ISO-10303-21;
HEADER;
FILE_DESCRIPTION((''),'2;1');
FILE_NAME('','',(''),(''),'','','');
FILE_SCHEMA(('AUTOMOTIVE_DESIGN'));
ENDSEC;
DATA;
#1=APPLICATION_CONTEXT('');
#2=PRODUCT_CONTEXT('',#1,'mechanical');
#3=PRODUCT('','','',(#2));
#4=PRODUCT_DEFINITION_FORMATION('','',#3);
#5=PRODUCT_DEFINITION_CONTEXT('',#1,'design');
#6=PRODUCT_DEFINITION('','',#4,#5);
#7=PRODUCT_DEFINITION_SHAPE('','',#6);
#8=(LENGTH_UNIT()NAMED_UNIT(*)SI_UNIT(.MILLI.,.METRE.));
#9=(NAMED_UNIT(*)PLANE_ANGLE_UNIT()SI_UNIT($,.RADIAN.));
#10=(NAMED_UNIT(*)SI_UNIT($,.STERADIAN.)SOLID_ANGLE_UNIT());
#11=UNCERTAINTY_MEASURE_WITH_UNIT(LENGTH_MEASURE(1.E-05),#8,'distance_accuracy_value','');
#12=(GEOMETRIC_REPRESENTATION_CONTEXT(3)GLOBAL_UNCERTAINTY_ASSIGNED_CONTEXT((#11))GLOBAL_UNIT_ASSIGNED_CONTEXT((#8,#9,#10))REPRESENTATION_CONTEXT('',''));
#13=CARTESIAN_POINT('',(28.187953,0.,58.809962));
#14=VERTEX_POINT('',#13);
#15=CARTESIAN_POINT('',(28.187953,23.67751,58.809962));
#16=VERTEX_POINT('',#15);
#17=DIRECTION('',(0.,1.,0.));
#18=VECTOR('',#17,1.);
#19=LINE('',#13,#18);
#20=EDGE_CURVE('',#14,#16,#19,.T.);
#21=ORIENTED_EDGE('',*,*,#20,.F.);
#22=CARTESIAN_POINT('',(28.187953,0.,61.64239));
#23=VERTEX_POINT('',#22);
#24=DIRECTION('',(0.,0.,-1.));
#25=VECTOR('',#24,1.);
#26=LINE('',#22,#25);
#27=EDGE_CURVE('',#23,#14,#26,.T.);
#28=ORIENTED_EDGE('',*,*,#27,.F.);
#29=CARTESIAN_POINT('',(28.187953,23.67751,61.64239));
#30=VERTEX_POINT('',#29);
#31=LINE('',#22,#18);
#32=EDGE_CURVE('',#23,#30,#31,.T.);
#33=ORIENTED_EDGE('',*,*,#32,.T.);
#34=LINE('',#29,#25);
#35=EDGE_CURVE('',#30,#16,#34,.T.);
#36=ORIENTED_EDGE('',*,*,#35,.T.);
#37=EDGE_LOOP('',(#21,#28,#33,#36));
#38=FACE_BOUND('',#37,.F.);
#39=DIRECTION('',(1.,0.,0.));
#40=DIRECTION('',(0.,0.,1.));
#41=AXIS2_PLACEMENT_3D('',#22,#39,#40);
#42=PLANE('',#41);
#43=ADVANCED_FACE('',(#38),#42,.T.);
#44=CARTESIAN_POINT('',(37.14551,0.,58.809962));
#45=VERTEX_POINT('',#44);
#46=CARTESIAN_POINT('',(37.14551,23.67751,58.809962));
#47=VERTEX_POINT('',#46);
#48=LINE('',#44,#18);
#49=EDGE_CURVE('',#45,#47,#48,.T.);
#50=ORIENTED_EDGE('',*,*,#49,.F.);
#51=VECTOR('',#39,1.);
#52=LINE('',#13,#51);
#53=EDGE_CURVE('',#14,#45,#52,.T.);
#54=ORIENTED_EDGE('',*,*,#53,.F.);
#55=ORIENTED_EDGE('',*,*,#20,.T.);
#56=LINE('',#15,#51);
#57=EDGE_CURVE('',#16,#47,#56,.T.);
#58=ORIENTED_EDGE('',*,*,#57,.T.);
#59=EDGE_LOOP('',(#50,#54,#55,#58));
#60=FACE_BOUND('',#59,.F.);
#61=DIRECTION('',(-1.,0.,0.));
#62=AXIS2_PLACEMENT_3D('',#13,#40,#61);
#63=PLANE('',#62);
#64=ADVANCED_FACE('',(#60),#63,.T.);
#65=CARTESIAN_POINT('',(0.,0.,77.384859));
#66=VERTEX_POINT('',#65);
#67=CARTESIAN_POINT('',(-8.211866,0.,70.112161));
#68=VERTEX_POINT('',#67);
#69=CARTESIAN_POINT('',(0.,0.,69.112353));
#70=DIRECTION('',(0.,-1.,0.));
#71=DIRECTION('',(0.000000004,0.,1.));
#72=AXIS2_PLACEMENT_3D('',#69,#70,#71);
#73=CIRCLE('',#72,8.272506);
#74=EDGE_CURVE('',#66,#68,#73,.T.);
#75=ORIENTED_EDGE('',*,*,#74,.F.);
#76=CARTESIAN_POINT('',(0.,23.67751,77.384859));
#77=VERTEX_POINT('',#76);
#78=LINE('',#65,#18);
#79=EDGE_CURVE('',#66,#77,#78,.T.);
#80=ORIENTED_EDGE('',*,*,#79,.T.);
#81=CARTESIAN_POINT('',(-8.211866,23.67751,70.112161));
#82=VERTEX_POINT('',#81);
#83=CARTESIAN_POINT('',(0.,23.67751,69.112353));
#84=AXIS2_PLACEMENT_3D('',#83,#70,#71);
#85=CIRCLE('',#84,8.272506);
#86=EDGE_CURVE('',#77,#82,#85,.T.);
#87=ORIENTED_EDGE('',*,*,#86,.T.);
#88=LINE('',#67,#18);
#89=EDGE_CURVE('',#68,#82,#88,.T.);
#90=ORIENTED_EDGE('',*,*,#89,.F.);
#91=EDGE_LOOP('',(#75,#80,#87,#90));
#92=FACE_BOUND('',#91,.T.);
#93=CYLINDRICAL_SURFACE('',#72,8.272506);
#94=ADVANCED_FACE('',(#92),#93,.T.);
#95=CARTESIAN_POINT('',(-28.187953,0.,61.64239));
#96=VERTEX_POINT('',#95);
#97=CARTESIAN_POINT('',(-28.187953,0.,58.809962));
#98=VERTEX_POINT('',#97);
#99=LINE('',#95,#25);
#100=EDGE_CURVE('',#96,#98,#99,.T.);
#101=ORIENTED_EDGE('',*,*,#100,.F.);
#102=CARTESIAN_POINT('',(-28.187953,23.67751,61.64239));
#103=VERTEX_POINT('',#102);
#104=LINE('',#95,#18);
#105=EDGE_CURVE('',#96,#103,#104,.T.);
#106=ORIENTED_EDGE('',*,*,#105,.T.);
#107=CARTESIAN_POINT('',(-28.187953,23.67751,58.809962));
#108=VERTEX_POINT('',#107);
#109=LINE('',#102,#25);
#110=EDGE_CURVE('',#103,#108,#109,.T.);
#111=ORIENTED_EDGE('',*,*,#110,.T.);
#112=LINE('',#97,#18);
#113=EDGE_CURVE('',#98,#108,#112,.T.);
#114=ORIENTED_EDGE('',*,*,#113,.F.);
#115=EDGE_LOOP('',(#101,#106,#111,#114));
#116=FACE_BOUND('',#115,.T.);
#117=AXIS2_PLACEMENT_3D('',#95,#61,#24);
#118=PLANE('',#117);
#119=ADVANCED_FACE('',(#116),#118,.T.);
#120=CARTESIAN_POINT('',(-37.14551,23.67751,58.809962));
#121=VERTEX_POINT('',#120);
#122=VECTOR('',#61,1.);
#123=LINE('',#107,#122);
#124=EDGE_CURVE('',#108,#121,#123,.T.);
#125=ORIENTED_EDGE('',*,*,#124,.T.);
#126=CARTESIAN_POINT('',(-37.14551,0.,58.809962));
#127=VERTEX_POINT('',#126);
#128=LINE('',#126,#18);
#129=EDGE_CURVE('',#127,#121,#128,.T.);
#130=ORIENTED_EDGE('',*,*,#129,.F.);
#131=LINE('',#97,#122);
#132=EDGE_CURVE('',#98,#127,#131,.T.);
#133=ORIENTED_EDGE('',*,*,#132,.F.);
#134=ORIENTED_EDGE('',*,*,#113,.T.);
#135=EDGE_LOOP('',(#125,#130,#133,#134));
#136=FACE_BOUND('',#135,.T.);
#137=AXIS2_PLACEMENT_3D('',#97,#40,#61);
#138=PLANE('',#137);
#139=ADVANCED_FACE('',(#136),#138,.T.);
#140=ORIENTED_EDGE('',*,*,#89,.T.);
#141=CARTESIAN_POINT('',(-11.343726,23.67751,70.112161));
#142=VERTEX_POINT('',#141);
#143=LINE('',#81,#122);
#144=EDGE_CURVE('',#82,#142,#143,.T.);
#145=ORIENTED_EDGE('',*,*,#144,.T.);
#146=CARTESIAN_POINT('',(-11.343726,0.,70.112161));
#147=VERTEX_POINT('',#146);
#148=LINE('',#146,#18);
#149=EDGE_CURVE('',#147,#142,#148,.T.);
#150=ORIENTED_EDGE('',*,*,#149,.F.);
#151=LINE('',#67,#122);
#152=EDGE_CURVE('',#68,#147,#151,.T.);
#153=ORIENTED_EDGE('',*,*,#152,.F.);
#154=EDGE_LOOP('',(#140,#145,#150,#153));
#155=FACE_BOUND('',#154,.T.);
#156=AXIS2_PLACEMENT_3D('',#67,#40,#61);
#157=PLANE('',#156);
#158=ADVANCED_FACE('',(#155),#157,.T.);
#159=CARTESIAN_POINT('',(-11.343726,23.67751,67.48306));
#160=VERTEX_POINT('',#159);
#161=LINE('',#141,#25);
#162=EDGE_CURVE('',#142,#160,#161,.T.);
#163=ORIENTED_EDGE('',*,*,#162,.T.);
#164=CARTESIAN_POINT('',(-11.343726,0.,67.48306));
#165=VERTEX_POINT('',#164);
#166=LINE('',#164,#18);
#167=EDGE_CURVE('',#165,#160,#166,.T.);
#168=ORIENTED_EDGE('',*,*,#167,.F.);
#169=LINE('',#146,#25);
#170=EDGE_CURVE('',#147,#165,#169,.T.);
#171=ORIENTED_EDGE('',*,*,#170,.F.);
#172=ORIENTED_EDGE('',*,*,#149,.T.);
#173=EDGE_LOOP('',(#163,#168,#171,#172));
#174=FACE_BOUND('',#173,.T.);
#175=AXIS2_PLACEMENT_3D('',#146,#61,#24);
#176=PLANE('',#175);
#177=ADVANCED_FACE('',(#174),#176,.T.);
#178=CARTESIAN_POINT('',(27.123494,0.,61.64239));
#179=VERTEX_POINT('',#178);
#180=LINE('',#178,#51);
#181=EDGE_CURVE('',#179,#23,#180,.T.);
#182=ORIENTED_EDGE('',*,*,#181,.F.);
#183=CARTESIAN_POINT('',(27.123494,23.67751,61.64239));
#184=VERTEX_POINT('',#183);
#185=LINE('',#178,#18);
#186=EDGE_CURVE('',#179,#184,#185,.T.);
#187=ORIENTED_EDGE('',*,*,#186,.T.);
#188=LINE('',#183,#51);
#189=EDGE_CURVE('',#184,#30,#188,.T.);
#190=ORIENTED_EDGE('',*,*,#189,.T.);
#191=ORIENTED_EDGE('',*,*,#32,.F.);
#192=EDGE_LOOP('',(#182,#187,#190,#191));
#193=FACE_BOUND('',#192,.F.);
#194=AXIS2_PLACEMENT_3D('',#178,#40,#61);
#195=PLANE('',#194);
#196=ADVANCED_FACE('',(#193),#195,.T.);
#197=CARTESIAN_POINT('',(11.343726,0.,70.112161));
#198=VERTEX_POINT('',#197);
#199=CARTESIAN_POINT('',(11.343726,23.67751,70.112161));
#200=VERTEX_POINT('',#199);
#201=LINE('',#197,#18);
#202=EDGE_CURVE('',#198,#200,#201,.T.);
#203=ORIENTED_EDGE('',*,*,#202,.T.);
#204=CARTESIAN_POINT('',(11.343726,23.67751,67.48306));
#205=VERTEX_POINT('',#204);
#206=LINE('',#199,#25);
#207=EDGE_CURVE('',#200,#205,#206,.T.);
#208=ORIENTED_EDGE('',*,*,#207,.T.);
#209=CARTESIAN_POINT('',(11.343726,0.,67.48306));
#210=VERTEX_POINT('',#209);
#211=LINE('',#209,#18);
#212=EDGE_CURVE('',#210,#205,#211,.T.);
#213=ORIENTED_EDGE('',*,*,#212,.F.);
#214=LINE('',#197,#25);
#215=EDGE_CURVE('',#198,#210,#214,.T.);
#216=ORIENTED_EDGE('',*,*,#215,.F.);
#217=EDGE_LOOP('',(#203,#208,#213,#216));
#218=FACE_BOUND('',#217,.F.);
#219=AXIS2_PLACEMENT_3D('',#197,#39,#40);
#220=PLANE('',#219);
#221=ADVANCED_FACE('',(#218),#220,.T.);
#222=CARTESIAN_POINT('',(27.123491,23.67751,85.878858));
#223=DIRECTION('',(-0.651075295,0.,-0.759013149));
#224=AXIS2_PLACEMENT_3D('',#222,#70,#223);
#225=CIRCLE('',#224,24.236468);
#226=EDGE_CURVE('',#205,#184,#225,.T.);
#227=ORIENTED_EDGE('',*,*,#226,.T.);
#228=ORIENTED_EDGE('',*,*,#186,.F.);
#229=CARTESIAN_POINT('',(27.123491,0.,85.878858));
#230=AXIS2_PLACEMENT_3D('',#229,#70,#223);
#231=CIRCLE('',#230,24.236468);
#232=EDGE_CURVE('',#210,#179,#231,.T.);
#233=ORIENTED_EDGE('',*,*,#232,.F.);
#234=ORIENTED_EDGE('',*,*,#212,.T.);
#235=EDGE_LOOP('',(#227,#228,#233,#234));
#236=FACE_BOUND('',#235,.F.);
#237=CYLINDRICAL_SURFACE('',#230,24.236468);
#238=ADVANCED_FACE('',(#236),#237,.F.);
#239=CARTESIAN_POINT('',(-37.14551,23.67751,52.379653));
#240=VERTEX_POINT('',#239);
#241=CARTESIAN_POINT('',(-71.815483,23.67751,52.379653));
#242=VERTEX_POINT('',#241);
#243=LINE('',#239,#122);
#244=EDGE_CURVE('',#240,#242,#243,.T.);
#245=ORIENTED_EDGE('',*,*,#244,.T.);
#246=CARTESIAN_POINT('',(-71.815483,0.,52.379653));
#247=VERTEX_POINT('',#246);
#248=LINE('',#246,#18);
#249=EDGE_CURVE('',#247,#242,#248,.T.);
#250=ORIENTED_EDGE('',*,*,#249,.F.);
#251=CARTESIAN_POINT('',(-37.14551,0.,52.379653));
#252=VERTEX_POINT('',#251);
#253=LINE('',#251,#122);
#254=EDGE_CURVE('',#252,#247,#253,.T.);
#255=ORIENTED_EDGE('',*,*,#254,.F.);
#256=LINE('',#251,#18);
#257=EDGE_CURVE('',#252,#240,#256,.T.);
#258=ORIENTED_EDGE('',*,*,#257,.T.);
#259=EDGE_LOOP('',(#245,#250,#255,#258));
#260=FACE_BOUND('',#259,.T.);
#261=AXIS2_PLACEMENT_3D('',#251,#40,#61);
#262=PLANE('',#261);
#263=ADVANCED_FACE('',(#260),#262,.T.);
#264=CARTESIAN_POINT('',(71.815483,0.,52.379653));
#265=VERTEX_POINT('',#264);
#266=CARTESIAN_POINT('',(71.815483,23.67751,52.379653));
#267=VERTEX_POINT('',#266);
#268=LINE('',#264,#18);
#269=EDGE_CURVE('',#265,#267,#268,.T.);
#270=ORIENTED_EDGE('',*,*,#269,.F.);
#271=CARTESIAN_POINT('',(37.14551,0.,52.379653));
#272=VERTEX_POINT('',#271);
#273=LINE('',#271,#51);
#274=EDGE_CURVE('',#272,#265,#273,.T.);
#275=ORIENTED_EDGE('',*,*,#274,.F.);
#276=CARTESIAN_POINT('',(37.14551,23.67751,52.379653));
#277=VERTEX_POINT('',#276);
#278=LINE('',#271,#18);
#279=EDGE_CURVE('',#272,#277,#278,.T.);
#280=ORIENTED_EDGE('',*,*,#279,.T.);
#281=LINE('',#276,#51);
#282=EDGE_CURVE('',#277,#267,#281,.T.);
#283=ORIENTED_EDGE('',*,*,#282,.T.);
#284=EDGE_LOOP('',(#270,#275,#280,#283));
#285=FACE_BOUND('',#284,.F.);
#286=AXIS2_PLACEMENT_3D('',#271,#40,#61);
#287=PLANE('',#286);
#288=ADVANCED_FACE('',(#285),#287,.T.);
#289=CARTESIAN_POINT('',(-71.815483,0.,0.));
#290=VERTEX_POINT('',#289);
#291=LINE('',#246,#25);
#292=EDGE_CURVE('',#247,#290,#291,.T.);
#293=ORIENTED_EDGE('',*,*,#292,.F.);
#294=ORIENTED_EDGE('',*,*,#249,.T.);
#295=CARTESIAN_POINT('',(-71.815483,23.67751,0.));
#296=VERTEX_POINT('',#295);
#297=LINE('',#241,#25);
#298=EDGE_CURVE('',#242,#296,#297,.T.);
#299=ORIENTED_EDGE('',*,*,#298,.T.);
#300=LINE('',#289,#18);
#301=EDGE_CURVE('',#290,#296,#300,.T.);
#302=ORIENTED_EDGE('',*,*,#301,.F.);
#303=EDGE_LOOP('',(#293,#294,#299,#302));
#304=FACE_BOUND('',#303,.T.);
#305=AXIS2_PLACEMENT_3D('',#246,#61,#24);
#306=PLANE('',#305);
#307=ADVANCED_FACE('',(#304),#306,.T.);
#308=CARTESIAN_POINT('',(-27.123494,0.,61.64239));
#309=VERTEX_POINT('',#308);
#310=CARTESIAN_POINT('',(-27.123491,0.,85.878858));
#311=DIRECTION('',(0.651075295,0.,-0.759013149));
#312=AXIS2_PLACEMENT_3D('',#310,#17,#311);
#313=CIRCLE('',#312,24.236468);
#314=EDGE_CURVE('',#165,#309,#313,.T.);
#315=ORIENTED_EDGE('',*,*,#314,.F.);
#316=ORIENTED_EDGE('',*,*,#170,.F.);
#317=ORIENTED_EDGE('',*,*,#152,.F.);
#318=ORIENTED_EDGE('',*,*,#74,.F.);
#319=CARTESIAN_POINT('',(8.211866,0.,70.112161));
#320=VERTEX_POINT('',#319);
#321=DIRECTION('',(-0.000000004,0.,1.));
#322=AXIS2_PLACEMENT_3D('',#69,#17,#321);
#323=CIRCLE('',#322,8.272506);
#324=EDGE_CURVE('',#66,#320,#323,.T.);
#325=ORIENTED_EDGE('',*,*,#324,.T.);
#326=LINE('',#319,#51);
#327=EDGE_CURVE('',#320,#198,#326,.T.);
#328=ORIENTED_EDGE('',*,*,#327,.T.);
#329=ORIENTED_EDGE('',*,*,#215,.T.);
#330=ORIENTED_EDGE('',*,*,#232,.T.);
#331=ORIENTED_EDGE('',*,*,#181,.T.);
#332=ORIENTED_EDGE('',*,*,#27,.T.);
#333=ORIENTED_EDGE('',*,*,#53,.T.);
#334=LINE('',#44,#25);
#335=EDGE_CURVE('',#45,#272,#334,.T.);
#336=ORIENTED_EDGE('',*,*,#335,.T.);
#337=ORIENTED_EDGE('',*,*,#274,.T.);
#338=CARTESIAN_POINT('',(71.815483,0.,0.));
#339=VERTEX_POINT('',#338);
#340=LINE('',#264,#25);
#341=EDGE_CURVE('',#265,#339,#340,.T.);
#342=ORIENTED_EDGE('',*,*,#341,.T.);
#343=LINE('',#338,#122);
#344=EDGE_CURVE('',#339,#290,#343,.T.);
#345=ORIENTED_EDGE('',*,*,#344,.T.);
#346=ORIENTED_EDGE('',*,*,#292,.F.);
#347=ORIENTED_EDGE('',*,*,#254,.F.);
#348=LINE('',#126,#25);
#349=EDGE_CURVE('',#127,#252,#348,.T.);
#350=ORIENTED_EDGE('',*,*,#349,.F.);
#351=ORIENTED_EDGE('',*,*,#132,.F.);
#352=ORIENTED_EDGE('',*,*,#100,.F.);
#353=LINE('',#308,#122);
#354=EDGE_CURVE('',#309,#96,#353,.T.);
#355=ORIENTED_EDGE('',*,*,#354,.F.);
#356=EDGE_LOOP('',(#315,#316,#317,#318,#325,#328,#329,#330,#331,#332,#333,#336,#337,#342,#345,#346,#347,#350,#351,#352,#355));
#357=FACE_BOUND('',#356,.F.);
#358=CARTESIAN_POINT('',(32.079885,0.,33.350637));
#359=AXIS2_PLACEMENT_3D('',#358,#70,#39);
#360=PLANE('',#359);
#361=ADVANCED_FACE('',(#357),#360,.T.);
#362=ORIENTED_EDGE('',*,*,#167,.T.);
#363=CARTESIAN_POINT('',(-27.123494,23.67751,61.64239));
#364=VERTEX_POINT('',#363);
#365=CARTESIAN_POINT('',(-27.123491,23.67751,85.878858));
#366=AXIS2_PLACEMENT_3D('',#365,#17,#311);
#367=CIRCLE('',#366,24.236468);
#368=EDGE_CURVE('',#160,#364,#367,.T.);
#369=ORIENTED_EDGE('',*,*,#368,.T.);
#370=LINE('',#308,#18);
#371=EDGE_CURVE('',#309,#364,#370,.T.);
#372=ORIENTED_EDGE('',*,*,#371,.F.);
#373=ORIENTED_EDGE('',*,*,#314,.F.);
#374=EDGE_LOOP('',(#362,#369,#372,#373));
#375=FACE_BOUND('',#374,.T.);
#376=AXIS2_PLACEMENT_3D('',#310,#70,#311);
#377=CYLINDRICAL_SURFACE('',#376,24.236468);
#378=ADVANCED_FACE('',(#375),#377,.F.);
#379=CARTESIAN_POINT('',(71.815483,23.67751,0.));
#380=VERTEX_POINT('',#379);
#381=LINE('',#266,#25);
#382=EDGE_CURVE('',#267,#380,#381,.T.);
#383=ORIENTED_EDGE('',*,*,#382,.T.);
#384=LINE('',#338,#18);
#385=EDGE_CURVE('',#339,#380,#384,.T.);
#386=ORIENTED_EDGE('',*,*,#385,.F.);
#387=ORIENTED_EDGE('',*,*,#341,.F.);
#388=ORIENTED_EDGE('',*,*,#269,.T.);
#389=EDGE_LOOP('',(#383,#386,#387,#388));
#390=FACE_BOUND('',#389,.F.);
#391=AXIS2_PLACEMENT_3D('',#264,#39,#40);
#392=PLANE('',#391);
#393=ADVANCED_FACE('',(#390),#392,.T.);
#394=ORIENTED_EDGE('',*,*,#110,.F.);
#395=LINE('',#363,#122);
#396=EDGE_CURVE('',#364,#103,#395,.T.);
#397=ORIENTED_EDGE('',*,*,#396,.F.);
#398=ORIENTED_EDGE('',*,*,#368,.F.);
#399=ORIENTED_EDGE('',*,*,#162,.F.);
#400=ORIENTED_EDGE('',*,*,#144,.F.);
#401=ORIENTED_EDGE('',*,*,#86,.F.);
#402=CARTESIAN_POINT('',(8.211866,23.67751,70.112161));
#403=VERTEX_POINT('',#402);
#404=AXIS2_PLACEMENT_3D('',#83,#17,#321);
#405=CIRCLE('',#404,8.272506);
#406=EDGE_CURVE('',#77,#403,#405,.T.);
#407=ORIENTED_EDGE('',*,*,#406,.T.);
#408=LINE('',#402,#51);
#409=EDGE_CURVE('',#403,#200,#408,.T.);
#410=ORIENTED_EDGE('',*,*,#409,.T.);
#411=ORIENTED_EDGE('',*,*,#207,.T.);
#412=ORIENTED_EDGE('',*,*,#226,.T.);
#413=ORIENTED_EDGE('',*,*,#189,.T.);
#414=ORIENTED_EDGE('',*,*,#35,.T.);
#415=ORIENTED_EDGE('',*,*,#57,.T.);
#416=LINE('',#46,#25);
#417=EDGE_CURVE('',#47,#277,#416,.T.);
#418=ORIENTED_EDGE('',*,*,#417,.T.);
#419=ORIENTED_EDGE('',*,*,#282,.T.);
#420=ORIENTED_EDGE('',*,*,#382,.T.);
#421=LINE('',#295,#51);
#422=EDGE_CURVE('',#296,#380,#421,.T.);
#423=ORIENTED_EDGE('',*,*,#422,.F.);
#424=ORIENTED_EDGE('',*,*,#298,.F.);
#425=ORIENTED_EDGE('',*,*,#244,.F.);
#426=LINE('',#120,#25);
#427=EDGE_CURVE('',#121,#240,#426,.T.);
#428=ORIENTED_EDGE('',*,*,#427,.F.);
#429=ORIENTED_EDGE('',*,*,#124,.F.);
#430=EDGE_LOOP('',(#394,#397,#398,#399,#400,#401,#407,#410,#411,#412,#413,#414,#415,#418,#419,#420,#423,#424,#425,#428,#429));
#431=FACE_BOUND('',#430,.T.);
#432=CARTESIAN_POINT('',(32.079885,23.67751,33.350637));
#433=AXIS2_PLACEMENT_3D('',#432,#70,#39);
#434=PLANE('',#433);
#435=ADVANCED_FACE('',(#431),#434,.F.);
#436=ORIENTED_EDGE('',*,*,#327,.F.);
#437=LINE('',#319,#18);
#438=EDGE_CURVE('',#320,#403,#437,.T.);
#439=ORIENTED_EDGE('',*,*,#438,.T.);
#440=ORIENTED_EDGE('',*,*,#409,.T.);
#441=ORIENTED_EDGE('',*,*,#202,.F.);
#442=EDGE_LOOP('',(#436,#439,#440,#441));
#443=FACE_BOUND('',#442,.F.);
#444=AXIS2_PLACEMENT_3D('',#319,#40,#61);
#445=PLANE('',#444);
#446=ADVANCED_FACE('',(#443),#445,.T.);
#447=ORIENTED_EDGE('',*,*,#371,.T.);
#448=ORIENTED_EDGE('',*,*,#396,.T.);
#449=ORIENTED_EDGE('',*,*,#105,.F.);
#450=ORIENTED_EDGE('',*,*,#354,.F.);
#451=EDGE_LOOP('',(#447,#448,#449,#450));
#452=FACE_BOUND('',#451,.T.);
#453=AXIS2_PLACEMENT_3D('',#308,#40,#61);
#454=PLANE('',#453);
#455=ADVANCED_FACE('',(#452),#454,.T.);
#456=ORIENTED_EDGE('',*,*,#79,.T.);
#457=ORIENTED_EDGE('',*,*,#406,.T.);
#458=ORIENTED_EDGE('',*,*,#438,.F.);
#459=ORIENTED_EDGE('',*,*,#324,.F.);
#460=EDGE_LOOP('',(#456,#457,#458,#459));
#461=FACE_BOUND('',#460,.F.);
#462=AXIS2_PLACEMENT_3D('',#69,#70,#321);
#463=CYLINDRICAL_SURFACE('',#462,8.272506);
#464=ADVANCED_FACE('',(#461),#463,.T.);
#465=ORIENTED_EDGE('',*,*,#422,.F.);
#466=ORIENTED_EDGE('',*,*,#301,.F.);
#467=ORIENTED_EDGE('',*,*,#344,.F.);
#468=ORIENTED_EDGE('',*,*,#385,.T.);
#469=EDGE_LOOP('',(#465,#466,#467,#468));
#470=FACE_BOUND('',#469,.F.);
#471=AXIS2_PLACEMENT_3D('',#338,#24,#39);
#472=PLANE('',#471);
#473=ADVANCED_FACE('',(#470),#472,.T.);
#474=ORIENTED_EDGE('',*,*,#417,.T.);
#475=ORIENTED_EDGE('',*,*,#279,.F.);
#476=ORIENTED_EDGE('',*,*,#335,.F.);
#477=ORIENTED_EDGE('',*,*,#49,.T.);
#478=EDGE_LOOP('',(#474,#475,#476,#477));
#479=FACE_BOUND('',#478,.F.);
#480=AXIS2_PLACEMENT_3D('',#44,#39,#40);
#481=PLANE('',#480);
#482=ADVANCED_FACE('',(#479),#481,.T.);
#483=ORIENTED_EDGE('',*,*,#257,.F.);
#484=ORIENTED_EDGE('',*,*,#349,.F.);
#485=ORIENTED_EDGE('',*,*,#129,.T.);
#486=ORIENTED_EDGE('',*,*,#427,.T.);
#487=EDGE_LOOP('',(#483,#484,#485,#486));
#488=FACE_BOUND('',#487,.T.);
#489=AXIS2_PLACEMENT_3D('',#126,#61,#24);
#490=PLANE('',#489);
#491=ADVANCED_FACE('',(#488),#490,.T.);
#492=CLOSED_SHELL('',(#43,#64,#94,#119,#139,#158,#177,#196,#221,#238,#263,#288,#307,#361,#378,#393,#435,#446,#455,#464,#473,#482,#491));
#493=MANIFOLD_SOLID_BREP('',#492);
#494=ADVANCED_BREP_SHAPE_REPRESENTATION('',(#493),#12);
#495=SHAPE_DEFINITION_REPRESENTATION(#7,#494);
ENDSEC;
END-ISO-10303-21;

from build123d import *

# Parameters (mm, degrees)
F1_DEPTH = 23.67751


with BuildPart() as f1:
    # F0 (on Front) → F1 (new body)
    with BuildSketch(Plane.XZ):
        with BuildLine():
            Line((-71.815483, 52.379653), (-71.815483, 0))
            Line((-71.815483, 0), (0, 0))
            Line((0, 0), (0, 77.384859))
            ThreePointArc((0, 77.384859), (-5.48468, 75.305304), (-8.211866, 70.112161))
            Line((-8.211866, 70.112161), (-11.343726, 70.112161))
            Line((-11.343726, 70.112161), (-11.343726, 67.48306))
            ThreePointArc((-11.343726, 67.48306), (-18.710491, 63.14941), (-27.123494, 61.64239))
            Line((-27.123494, 61.64239), (-28.187953, 61.64239))
            Line((-28.187953, 61.64239), (-28.187953, 58.809962))
            Line((-28.187953, 58.809962), (-37.14551, 58.809962))
            Line((-37.14551, 58.809962), (-37.14551, 52.379653))
            Line((-37.14551, 52.379653), (-71.815483, 52.379653))
        make_face()
    extrude(amount=-F1_DEPTH)

    # F2: F1 across plane


with BuildPart() as f1_1:
    add(f1.part)
    add(f1.part.mirror(Plane.YZ))


solid = f1_1.part
